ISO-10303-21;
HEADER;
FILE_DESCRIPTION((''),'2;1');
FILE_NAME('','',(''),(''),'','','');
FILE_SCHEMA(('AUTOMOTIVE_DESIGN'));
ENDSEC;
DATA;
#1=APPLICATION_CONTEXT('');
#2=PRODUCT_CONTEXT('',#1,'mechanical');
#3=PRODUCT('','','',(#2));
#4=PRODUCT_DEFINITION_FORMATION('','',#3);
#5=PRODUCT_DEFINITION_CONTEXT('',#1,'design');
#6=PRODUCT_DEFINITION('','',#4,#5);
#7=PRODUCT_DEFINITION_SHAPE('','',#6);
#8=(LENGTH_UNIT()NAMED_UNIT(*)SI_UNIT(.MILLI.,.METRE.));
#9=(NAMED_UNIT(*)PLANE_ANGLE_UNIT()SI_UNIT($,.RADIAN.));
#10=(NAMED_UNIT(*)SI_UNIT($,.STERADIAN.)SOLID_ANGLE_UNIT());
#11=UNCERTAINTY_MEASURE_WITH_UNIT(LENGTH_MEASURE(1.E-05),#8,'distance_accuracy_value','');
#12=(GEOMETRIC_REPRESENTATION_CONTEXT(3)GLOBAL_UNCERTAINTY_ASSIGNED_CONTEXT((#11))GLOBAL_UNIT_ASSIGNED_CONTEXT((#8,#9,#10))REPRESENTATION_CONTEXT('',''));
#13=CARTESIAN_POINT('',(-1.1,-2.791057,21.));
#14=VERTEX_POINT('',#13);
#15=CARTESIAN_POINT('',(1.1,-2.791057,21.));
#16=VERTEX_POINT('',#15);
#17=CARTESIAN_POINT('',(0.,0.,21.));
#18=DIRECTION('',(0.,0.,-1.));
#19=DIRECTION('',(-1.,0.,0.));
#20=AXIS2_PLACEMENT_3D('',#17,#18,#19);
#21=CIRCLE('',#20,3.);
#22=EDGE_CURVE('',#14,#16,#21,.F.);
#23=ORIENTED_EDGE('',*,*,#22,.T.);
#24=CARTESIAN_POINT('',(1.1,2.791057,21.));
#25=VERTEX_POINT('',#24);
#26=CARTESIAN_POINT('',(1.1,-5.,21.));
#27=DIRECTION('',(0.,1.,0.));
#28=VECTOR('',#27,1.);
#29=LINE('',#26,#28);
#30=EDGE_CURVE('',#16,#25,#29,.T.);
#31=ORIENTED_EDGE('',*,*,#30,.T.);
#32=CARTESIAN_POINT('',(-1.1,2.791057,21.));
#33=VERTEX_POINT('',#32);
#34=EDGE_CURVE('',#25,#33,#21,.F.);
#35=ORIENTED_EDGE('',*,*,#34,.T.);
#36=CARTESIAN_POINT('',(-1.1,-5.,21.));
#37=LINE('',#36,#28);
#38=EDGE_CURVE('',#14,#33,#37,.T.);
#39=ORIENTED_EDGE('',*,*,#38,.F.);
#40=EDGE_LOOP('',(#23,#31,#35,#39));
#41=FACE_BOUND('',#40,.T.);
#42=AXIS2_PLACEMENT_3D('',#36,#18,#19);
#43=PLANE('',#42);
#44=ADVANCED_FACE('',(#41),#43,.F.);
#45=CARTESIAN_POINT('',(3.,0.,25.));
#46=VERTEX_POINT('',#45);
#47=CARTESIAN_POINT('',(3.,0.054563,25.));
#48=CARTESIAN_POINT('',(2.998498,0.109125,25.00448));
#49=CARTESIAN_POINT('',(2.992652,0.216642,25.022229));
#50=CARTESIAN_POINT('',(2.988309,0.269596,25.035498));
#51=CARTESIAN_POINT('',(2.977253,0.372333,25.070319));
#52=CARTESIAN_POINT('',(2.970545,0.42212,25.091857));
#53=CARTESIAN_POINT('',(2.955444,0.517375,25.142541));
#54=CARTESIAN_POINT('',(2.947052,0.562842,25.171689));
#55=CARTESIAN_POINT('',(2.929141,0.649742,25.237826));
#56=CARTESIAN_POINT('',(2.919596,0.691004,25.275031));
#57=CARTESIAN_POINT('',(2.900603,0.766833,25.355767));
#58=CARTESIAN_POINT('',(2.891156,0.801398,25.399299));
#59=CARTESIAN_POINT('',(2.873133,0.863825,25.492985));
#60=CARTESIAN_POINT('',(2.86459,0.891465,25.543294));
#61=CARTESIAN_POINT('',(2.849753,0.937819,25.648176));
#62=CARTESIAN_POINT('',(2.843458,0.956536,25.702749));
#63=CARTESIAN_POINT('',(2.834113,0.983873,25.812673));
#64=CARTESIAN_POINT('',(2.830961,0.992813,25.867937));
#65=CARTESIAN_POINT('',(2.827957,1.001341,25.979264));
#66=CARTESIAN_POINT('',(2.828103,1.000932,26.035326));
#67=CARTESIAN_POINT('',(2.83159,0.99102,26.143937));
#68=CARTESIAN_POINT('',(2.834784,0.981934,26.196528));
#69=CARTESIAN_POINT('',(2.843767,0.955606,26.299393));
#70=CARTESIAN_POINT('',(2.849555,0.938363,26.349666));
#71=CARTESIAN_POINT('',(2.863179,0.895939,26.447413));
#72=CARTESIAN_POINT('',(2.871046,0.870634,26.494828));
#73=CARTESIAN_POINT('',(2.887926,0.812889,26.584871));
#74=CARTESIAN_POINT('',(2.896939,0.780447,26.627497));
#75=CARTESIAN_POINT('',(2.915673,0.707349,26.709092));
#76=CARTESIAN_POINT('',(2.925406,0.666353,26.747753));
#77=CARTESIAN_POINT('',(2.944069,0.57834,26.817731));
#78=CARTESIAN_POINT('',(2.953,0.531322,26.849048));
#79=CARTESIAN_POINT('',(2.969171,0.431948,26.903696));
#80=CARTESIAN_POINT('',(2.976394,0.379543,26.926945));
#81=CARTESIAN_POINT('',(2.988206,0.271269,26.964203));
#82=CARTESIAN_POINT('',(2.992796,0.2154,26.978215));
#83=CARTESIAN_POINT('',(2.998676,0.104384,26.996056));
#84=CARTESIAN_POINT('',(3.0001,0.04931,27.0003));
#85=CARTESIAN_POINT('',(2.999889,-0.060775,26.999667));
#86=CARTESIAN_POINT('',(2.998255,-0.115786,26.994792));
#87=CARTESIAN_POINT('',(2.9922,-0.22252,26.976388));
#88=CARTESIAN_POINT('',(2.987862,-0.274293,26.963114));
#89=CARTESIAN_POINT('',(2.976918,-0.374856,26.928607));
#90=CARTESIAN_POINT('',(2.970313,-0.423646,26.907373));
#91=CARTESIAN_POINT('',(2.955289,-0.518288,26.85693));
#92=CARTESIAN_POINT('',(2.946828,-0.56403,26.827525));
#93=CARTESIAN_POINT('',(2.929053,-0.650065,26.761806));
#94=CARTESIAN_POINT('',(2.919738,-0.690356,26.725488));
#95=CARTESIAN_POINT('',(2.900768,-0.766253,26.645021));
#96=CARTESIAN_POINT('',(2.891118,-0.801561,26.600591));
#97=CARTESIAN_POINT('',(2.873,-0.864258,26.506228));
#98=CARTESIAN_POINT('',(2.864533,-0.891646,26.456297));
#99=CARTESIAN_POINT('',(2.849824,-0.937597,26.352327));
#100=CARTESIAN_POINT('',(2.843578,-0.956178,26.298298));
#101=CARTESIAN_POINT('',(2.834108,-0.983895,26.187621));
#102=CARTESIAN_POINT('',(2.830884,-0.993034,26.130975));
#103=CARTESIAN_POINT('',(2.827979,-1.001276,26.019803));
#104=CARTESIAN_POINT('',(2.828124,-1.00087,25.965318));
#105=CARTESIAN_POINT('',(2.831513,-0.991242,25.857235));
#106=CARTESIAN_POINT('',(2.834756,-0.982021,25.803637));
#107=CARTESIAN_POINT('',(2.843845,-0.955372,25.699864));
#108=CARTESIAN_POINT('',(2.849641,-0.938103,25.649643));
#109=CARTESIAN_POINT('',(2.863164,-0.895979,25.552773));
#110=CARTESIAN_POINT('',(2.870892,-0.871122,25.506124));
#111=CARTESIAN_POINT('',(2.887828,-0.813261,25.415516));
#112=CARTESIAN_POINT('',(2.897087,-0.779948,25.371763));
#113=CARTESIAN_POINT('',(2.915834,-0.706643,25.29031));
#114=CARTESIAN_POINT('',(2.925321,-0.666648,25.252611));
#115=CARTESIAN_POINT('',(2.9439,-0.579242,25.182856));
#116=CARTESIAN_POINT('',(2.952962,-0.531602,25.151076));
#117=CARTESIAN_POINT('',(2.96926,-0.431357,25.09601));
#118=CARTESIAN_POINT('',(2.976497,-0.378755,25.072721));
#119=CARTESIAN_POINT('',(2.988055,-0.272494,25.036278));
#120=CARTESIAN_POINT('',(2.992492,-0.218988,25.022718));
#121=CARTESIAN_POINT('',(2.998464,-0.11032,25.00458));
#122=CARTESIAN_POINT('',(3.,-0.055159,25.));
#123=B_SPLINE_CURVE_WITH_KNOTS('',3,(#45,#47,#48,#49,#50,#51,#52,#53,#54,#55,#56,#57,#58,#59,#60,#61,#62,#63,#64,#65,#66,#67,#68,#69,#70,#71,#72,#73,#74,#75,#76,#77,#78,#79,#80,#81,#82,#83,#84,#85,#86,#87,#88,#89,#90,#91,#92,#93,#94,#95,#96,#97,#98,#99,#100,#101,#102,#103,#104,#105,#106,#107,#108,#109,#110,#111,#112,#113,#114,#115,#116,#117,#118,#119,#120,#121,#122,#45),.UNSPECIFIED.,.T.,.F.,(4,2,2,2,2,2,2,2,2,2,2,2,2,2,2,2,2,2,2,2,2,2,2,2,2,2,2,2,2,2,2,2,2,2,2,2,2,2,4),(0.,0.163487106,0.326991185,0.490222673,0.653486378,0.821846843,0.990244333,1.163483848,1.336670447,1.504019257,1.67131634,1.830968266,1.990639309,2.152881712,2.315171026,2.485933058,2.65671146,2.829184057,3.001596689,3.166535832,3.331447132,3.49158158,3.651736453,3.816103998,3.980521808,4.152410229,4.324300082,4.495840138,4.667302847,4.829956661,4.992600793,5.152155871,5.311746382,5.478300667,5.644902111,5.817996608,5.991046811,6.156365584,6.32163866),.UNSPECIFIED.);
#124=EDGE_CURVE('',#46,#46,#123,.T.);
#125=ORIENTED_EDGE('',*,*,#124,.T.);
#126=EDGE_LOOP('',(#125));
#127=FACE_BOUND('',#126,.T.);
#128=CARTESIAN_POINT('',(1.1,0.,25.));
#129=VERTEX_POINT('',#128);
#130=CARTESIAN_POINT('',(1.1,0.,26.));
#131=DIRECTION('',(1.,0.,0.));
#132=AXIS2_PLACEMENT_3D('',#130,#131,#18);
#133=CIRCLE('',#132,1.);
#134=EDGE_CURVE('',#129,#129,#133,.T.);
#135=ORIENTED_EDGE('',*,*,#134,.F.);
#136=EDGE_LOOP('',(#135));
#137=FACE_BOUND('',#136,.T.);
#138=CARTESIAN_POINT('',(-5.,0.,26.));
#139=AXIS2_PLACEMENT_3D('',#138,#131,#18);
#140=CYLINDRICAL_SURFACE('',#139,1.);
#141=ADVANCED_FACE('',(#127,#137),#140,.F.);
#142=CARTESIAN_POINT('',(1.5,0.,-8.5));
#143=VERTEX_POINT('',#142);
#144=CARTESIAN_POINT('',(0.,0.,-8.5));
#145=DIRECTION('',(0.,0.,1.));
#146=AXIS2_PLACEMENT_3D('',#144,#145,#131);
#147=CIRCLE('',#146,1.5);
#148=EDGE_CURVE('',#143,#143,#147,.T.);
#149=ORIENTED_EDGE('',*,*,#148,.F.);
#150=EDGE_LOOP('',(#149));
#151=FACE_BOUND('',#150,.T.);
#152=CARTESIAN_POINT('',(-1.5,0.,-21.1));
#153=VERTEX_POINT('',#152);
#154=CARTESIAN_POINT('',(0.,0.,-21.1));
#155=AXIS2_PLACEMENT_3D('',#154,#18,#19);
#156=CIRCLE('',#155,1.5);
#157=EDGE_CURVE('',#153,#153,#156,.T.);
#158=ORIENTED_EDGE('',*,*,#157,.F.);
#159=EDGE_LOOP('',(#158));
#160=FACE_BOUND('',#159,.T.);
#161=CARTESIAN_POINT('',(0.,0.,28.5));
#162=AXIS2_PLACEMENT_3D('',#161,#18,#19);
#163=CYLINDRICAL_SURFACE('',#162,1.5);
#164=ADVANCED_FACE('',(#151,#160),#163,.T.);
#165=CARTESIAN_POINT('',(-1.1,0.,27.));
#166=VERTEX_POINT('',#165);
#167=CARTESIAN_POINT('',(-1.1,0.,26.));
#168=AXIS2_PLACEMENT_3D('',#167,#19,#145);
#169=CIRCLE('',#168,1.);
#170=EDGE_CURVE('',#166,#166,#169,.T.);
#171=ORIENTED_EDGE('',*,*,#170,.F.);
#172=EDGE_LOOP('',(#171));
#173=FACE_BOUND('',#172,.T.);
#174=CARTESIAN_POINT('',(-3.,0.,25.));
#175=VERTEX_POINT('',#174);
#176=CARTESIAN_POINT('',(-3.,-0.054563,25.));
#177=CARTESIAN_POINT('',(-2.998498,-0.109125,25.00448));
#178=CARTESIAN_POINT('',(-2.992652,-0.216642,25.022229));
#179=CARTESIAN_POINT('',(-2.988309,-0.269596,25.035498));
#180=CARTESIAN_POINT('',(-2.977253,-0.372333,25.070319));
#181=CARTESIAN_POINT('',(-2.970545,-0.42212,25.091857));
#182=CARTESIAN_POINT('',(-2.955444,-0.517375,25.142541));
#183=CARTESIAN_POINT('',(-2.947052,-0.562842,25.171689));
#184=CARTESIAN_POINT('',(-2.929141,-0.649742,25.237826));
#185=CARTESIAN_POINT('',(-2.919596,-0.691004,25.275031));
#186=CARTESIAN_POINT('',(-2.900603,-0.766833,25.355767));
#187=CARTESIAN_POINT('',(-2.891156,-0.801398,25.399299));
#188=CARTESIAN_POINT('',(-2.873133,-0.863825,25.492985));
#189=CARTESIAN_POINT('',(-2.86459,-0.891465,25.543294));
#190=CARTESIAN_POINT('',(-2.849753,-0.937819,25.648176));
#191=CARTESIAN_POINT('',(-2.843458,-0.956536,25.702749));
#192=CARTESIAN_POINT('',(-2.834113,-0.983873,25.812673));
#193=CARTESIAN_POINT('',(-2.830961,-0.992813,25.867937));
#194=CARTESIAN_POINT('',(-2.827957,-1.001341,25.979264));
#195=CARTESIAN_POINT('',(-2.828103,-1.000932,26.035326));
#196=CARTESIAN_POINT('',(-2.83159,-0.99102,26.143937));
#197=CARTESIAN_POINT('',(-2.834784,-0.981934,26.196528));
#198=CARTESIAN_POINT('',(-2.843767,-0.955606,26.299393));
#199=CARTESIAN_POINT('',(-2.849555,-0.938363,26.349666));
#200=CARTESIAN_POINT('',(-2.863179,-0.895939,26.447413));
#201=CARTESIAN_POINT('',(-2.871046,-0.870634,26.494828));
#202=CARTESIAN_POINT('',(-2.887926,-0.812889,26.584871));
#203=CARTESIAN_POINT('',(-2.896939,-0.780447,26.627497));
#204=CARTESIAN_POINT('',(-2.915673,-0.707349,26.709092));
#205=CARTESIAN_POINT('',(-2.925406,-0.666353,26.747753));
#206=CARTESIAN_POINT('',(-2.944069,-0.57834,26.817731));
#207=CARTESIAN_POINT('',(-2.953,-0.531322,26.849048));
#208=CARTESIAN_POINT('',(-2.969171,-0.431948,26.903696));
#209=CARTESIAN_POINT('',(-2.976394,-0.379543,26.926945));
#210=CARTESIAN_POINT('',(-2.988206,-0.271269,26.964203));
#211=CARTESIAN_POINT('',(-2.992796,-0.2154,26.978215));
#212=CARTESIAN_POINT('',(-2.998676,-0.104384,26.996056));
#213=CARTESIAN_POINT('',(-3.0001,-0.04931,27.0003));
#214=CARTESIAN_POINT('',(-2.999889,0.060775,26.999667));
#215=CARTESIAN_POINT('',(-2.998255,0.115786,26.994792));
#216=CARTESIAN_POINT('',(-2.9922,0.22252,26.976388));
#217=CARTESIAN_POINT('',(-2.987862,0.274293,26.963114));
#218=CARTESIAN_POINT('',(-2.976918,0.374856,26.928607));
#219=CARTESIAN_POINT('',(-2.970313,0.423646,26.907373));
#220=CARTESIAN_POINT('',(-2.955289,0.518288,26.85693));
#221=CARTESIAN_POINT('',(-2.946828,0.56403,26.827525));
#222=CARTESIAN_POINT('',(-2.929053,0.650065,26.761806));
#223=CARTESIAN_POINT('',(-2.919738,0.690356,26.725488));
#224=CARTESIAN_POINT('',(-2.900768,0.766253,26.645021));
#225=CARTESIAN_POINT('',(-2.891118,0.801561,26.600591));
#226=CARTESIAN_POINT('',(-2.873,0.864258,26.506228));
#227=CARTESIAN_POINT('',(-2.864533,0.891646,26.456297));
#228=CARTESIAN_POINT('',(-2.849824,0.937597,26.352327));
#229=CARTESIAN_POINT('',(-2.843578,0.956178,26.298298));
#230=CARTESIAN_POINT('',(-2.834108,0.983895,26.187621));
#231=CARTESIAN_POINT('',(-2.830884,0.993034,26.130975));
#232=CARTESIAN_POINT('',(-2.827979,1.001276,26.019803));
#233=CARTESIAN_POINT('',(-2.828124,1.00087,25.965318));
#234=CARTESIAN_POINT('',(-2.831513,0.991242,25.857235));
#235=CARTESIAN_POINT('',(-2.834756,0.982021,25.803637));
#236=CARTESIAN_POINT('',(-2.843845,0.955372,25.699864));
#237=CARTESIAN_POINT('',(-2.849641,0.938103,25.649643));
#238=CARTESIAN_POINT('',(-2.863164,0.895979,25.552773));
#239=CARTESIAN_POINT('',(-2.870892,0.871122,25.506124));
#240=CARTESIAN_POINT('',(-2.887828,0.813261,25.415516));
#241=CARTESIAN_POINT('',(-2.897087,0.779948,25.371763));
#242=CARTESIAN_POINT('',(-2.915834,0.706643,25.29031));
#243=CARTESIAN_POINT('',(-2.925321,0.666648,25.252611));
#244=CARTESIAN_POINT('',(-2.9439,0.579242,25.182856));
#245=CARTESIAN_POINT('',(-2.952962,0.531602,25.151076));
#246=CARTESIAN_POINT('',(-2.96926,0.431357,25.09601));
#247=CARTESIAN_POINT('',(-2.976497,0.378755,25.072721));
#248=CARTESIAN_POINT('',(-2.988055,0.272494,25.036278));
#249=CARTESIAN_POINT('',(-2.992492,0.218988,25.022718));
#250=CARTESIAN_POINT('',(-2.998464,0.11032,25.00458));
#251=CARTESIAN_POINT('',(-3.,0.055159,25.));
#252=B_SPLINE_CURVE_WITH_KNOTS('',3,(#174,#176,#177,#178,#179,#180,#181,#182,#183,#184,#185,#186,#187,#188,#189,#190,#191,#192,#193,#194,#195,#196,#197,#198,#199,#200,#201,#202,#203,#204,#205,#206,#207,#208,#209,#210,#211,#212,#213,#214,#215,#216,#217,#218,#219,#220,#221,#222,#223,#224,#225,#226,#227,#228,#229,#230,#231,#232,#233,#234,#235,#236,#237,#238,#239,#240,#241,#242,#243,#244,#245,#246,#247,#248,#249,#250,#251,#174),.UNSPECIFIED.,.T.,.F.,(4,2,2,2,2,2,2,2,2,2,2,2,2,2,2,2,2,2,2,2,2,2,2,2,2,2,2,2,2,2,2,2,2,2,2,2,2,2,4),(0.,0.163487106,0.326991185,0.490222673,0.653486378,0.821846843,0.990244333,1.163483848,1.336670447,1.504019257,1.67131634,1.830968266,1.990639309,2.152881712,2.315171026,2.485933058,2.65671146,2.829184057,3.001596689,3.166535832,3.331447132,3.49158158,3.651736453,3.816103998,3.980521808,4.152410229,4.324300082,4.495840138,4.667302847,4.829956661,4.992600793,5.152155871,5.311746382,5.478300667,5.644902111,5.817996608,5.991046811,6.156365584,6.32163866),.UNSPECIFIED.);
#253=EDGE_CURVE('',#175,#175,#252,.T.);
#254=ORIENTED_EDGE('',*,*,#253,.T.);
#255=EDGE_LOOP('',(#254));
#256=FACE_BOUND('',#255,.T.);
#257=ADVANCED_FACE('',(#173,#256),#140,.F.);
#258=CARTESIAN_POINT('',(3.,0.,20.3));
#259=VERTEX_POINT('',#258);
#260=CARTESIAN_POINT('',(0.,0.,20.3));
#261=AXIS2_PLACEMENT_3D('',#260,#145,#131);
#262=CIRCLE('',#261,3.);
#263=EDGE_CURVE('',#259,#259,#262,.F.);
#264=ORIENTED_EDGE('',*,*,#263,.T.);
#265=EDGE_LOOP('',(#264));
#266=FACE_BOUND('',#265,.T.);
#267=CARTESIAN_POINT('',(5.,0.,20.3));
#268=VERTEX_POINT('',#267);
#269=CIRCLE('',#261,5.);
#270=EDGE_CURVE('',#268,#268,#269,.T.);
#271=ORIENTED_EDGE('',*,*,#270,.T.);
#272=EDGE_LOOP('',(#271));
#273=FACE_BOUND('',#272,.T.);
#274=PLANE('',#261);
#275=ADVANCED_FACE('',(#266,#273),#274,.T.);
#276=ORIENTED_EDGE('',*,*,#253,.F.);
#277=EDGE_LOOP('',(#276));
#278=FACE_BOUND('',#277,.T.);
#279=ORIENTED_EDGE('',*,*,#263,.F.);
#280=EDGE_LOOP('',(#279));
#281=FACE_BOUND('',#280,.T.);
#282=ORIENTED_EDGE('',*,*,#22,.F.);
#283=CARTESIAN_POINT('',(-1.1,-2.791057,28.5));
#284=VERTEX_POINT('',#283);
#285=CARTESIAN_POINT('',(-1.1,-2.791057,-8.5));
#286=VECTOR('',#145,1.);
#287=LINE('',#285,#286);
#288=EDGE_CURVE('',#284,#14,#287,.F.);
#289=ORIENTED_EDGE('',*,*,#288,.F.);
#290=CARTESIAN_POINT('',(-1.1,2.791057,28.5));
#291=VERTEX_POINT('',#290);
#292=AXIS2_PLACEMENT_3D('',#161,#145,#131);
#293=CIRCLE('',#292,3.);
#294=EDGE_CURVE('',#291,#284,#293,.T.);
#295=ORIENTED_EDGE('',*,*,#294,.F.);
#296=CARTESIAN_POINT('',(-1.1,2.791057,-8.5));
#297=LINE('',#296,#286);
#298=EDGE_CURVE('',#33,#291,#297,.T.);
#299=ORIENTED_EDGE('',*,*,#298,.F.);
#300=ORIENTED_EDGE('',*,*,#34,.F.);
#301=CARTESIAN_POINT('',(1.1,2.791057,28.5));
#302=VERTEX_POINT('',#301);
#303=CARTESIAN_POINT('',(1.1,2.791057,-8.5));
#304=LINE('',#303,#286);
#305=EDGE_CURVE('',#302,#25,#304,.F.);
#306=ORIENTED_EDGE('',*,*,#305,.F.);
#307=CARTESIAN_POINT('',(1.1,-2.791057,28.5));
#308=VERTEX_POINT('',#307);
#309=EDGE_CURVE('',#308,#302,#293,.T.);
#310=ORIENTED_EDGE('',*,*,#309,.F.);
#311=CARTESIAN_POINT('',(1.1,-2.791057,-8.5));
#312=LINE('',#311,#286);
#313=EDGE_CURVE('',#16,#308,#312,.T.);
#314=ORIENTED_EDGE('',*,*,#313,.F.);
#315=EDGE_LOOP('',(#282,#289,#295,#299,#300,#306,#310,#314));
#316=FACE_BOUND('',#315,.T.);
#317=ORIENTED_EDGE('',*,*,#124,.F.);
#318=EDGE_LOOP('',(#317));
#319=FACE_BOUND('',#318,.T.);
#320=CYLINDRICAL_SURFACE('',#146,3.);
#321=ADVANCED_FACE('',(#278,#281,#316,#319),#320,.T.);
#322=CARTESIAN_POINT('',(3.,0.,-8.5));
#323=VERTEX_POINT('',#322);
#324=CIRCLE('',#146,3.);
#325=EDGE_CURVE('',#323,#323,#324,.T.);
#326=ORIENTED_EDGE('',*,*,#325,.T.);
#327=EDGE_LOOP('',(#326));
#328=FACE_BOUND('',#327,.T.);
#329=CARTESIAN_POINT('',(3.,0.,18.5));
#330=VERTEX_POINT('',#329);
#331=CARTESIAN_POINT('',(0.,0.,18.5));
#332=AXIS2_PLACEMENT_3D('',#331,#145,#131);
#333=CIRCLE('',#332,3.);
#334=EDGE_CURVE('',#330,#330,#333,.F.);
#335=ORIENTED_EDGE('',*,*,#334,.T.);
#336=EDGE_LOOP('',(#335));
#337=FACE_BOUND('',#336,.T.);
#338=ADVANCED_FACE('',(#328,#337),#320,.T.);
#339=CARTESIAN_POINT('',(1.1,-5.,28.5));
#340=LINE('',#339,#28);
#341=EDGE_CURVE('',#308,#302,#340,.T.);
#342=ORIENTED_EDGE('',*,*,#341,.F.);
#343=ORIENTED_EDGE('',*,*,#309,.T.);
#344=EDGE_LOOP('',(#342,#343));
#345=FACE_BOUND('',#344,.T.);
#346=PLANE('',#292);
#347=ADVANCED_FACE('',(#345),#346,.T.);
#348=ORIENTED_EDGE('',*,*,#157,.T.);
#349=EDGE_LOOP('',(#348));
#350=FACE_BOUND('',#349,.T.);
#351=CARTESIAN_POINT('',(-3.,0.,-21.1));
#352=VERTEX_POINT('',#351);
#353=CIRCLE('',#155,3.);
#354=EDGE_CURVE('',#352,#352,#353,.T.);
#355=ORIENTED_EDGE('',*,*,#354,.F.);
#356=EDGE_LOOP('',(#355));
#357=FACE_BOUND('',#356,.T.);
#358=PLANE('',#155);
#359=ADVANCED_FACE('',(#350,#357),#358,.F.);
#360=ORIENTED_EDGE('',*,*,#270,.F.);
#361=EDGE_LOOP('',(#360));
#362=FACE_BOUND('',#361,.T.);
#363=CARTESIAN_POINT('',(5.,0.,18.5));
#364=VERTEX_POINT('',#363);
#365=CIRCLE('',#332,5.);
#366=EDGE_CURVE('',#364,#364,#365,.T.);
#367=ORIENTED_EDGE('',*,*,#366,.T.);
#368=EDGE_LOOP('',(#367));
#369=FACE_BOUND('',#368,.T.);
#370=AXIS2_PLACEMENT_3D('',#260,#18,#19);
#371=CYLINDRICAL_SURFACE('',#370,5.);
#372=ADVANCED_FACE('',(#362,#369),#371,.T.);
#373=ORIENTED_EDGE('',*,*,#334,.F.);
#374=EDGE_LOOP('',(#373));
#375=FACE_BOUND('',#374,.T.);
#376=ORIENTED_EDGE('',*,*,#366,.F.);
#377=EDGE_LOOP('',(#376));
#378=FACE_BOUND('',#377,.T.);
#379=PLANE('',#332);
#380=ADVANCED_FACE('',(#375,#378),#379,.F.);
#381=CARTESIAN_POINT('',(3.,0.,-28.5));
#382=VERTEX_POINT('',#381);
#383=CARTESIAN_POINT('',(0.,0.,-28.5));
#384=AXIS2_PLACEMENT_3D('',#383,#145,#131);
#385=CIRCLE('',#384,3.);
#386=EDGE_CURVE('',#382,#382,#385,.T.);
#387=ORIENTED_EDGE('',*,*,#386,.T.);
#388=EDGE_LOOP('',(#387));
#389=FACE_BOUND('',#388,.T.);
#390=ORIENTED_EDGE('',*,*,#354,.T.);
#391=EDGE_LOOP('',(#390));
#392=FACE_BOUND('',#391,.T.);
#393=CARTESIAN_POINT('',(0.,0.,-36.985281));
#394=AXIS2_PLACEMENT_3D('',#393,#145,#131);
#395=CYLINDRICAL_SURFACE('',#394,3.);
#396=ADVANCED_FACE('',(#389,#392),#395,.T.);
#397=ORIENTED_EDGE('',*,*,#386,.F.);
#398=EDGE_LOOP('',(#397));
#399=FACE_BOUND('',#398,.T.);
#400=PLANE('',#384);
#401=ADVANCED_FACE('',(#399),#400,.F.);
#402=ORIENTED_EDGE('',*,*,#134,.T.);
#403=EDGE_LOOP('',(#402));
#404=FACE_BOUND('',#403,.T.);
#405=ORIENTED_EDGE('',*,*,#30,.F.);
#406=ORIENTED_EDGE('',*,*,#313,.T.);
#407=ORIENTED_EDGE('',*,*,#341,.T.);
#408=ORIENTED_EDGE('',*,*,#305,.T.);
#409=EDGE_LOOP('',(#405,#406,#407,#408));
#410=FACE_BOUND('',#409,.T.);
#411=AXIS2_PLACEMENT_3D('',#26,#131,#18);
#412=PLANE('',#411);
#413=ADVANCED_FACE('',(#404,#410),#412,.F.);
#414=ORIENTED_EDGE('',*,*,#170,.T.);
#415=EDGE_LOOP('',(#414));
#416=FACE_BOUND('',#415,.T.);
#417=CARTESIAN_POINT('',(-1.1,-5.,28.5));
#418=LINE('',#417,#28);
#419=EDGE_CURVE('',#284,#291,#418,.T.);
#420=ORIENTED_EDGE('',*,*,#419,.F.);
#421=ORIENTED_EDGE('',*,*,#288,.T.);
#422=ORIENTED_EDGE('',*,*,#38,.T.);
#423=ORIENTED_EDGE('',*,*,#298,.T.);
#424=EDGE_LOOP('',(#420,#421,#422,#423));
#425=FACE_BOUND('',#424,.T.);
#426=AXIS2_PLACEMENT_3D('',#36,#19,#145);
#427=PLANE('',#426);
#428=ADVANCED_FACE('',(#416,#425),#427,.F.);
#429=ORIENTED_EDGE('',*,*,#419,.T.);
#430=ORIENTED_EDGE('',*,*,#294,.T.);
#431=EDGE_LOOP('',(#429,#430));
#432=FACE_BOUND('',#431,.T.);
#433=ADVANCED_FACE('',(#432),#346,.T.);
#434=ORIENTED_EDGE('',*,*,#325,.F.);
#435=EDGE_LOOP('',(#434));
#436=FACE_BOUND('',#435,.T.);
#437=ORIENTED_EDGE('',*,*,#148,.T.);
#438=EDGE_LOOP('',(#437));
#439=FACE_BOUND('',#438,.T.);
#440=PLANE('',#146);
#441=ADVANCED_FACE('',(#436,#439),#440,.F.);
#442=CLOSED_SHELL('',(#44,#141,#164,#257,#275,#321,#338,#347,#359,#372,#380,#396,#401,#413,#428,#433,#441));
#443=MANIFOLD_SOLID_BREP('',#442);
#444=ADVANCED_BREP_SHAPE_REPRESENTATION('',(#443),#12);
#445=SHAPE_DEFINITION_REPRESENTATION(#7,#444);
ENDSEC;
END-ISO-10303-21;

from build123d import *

# Parameters (mm, degrees)
SKETCH1_R               = 1.5
BOSS_EXTRUDE1_DEPTH     = 28.5
SKETCH2_R               = 3
BOSS_EXTRUDE2_DEPTH     = 37
SKETCH5_R               = 5
BOSS_EXTRUDE3_DEPTH     = 1.8
SKETCH6_R               = 3
BOSS_EXTRUDE4_DEPTH     = 7.4
SKETCH3_W               = 2.2
SKETCH3_H               = 7.5
CUT_EXTRUDE1_DEPTH      = 6
CUT_EXTRUDE1_DEPTH_BACK = 6
SKETCH4_R               = 1
CUT_EXTRUDE2_DEPTH      = 6
CUT_EXTRUDE2_DEPTH_BACK = 6


with BuildPart() as part:
    # Sketch1 → Boss-Extrude1 (new body, symmetric)
    with BuildSketch(Plane.XY):
        Circle(SKETCH1_R)
    extrude(amount=BOSS_EXTRUDE1_DEPTH, both=True)

    # Sketch2 → Boss-Extrude2 (add)
    with BuildSketch(Plane.XY.offset(28.5)):
        Circle(SKETCH2_R)
    extrude(amount=-BOSS_EXTRUDE2_DEPTH)

    # Sketch5 → Boss-Extrude3 (add)
    with BuildSketch(Plane.XY.offset(18.5)):
        Circle(SKETCH5_R)
    extrude(amount=BOSS_EXTRUDE3_DEPTH)

    # Sketch6 → Boss-Extrude4 (add)
    with BuildSketch(Plane(origin=(0, 0, -21.1), x_dir=(-1, 0, 0), z_dir=(0, 0, -1))):
        Circle(SKETCH6_R)
    extrude(amount=BOSS_EXTRUDE4_DEPTH)

    # Sketch3 → Cut-Extrude1 (cut, two sides)
    with BuildSketch(Plane(origin=(0, 0, 0), x_dir=(1, 0, 0), z_dir=(0, 1, 0))) as cut_extrude1_sk:
        with Locations((0, -24.75)):
            Rectangle(SKETCH3_W, SKETCH3_H)
    extrude(amount=CUT_EXTRUDE1_DEPTH, mode=Mode.SUBTRACT)
    extrude(cut_extrude1_sk.sketch, amount=-CUT_EXTRUDE1_DEPTH_BACK, mode=Mode.SUBTRACT)

    # Sketch4 → Cut-Extrude2 (cut, two sides)
    with BuildSketch(Plane(origin=(0, 0, 0), x_dir=(0, 0, -1), z_dir=(1, 0, 0))) as cut_extrude2_sk:
        with Locations((-26, 0)):
            Circle(SKETCH4_R)
    extrude(amount=CUT_EXTRUDE2_DEPTH, mode=Mode.SUBTRACT)
    extrude(cut_extrude2_sk.sketch, amount=-CUT_EXTRUDE2_DEPTH_BACK, mode=Mode.SUBTRACT)


solid = part.part
